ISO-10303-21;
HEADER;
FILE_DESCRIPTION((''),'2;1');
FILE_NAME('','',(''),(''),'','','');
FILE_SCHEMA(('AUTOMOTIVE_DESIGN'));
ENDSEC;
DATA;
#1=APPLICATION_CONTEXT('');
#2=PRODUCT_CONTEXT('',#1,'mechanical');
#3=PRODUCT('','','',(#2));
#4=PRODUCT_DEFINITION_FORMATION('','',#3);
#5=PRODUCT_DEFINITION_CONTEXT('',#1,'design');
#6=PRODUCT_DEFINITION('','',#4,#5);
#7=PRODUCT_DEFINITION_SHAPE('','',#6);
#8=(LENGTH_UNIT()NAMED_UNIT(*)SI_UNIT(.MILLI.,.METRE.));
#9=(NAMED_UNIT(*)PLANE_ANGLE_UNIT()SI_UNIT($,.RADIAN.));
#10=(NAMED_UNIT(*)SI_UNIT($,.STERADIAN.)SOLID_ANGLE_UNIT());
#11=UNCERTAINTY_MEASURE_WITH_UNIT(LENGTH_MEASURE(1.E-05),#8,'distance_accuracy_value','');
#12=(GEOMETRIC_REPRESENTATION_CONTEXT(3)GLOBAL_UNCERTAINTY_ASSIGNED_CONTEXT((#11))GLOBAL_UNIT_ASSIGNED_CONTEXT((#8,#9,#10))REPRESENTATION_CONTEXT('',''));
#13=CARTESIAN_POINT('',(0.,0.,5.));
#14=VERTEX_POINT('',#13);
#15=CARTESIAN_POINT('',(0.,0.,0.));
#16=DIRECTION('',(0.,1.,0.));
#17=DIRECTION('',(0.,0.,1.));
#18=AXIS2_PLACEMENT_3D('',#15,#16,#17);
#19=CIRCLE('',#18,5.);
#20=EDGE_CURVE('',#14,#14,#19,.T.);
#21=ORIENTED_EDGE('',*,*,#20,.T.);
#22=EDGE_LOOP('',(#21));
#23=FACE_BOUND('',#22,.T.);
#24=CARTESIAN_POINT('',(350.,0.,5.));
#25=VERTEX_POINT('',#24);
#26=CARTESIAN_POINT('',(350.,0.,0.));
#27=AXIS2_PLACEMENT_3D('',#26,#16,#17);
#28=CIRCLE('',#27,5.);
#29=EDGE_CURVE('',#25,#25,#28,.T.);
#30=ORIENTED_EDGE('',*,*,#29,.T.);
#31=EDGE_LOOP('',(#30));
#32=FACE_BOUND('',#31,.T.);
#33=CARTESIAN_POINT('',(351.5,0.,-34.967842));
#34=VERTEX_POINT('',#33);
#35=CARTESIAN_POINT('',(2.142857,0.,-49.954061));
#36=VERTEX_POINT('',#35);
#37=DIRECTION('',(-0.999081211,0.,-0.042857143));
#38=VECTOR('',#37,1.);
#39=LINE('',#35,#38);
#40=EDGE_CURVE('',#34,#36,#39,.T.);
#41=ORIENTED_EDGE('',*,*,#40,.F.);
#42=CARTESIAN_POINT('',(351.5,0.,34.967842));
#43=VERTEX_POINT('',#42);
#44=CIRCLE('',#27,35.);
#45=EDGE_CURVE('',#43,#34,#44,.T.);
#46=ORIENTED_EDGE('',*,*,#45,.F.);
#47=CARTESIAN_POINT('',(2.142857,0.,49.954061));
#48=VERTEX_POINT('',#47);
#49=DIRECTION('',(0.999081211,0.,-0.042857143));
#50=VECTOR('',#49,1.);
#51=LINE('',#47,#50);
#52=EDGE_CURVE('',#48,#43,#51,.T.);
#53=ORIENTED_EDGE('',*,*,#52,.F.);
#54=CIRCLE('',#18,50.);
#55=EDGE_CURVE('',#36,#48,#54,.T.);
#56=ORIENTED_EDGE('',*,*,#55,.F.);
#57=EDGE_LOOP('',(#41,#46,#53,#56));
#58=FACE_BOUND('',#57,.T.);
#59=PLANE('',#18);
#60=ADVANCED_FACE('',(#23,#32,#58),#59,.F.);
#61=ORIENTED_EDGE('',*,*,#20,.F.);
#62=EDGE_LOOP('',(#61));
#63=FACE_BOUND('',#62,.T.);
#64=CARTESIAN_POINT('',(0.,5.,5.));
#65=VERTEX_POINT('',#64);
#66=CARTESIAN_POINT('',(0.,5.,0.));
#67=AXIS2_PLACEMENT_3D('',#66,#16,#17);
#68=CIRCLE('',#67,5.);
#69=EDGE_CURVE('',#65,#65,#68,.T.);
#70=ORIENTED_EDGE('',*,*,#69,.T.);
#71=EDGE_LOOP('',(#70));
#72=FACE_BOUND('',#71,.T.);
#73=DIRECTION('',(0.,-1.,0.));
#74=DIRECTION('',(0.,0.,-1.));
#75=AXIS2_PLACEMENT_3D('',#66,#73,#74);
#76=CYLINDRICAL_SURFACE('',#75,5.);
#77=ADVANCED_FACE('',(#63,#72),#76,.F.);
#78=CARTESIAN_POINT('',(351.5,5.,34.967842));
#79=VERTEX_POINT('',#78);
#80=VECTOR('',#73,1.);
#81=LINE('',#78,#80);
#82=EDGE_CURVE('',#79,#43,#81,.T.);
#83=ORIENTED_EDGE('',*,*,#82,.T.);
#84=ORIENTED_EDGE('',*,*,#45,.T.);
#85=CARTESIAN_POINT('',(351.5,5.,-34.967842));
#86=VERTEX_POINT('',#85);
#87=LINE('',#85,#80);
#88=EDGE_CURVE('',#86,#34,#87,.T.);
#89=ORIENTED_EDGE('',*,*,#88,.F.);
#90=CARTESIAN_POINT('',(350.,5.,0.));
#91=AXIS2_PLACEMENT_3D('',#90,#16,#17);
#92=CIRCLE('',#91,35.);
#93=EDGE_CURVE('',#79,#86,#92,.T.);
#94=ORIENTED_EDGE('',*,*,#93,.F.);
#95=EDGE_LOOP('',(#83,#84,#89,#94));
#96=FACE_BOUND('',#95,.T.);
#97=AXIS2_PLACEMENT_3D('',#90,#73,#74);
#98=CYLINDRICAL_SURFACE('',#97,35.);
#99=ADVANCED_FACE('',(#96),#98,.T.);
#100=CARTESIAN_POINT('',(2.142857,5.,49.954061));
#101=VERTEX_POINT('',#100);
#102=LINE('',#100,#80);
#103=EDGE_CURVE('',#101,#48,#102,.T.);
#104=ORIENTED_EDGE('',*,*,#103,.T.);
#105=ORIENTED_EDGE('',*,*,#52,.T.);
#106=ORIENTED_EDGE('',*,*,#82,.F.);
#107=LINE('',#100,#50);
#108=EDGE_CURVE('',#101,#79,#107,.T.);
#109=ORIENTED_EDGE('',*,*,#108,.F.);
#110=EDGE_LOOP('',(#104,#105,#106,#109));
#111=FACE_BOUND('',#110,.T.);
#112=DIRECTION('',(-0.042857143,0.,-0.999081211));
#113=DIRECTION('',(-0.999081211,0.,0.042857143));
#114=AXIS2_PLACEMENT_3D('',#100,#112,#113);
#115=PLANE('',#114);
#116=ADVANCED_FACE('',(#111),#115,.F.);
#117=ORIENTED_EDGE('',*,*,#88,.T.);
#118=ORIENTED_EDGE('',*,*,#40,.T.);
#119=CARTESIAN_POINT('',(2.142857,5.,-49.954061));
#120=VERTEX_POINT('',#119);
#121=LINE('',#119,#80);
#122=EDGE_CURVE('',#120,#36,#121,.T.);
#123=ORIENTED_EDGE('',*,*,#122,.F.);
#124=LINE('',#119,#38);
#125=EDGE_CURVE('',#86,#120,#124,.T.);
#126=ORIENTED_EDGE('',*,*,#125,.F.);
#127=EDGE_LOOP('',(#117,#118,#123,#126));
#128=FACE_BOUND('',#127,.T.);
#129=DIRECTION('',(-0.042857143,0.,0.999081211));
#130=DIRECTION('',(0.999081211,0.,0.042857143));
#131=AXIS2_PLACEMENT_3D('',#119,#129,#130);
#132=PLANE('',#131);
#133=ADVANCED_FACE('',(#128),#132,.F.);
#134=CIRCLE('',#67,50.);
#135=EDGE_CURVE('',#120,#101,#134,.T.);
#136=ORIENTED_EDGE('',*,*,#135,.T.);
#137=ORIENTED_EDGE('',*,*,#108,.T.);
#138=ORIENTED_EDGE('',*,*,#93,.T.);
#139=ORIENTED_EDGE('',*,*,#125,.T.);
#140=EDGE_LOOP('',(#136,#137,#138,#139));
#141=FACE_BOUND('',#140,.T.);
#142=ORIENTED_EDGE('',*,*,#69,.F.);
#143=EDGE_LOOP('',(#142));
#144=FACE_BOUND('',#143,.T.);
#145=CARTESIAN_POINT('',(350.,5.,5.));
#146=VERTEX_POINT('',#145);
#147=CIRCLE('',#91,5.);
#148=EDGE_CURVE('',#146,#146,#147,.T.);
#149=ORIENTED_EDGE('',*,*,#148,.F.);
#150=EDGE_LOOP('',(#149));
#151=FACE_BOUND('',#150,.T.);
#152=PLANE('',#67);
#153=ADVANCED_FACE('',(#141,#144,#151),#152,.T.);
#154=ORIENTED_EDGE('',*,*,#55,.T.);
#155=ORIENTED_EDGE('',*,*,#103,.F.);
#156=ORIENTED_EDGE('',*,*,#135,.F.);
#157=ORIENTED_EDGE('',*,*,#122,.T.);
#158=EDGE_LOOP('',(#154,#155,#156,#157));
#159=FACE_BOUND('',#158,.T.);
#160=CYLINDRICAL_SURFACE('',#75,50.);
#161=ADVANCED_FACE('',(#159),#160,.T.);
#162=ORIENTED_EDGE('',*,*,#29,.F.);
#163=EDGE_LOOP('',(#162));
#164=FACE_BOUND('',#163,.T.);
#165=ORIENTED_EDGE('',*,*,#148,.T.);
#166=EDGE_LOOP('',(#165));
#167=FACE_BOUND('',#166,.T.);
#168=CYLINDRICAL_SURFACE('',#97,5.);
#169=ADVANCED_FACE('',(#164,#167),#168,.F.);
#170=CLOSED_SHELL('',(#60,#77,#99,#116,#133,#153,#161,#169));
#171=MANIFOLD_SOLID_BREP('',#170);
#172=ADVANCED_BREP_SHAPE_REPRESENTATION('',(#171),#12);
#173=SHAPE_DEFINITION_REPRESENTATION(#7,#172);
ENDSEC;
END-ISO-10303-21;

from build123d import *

# Parameters (mm, degrees)
SKETCH1_R           = 5
BOSS_EXTRUDE1_DEPTH = 5


with BuildPart() as part:
    # Sketch1 → Boss-Extrude1 (new body)
    with BuildSketch(Plane(origin=(0, 0, 0), x_dir=(1, 0, 0), z_dir=(0, 1, 0))):
        with BuildLine():
            Line((2.142857143, 49.954060528), (351.5, 34.96784237))
            ThreePointArc((351.5, 34.96784237), (385, 0), (351.5, -34.96784237))
            Line((351.5, -34.96784237), (2.142857143, -49.954060528))
            ThreePointArc((2.142857143, -49.954060528), (-50, 0), (2.142857143, 49.954060528))
        make_face()
        with Locations(Location((0, 0, 0), (0, 0, 270))):
            Circle(SKETCH1_R, mode=Mode.SUBTRACT)
        with Locations(Location((350, 0, 0), (0, 0, 270))):
            Circle(SKETCH1_R, mode=Mode.SUBTRACT)
    extrude(amount=BOSS_EXTRUDE1_DEPTH)


solid = part.part
